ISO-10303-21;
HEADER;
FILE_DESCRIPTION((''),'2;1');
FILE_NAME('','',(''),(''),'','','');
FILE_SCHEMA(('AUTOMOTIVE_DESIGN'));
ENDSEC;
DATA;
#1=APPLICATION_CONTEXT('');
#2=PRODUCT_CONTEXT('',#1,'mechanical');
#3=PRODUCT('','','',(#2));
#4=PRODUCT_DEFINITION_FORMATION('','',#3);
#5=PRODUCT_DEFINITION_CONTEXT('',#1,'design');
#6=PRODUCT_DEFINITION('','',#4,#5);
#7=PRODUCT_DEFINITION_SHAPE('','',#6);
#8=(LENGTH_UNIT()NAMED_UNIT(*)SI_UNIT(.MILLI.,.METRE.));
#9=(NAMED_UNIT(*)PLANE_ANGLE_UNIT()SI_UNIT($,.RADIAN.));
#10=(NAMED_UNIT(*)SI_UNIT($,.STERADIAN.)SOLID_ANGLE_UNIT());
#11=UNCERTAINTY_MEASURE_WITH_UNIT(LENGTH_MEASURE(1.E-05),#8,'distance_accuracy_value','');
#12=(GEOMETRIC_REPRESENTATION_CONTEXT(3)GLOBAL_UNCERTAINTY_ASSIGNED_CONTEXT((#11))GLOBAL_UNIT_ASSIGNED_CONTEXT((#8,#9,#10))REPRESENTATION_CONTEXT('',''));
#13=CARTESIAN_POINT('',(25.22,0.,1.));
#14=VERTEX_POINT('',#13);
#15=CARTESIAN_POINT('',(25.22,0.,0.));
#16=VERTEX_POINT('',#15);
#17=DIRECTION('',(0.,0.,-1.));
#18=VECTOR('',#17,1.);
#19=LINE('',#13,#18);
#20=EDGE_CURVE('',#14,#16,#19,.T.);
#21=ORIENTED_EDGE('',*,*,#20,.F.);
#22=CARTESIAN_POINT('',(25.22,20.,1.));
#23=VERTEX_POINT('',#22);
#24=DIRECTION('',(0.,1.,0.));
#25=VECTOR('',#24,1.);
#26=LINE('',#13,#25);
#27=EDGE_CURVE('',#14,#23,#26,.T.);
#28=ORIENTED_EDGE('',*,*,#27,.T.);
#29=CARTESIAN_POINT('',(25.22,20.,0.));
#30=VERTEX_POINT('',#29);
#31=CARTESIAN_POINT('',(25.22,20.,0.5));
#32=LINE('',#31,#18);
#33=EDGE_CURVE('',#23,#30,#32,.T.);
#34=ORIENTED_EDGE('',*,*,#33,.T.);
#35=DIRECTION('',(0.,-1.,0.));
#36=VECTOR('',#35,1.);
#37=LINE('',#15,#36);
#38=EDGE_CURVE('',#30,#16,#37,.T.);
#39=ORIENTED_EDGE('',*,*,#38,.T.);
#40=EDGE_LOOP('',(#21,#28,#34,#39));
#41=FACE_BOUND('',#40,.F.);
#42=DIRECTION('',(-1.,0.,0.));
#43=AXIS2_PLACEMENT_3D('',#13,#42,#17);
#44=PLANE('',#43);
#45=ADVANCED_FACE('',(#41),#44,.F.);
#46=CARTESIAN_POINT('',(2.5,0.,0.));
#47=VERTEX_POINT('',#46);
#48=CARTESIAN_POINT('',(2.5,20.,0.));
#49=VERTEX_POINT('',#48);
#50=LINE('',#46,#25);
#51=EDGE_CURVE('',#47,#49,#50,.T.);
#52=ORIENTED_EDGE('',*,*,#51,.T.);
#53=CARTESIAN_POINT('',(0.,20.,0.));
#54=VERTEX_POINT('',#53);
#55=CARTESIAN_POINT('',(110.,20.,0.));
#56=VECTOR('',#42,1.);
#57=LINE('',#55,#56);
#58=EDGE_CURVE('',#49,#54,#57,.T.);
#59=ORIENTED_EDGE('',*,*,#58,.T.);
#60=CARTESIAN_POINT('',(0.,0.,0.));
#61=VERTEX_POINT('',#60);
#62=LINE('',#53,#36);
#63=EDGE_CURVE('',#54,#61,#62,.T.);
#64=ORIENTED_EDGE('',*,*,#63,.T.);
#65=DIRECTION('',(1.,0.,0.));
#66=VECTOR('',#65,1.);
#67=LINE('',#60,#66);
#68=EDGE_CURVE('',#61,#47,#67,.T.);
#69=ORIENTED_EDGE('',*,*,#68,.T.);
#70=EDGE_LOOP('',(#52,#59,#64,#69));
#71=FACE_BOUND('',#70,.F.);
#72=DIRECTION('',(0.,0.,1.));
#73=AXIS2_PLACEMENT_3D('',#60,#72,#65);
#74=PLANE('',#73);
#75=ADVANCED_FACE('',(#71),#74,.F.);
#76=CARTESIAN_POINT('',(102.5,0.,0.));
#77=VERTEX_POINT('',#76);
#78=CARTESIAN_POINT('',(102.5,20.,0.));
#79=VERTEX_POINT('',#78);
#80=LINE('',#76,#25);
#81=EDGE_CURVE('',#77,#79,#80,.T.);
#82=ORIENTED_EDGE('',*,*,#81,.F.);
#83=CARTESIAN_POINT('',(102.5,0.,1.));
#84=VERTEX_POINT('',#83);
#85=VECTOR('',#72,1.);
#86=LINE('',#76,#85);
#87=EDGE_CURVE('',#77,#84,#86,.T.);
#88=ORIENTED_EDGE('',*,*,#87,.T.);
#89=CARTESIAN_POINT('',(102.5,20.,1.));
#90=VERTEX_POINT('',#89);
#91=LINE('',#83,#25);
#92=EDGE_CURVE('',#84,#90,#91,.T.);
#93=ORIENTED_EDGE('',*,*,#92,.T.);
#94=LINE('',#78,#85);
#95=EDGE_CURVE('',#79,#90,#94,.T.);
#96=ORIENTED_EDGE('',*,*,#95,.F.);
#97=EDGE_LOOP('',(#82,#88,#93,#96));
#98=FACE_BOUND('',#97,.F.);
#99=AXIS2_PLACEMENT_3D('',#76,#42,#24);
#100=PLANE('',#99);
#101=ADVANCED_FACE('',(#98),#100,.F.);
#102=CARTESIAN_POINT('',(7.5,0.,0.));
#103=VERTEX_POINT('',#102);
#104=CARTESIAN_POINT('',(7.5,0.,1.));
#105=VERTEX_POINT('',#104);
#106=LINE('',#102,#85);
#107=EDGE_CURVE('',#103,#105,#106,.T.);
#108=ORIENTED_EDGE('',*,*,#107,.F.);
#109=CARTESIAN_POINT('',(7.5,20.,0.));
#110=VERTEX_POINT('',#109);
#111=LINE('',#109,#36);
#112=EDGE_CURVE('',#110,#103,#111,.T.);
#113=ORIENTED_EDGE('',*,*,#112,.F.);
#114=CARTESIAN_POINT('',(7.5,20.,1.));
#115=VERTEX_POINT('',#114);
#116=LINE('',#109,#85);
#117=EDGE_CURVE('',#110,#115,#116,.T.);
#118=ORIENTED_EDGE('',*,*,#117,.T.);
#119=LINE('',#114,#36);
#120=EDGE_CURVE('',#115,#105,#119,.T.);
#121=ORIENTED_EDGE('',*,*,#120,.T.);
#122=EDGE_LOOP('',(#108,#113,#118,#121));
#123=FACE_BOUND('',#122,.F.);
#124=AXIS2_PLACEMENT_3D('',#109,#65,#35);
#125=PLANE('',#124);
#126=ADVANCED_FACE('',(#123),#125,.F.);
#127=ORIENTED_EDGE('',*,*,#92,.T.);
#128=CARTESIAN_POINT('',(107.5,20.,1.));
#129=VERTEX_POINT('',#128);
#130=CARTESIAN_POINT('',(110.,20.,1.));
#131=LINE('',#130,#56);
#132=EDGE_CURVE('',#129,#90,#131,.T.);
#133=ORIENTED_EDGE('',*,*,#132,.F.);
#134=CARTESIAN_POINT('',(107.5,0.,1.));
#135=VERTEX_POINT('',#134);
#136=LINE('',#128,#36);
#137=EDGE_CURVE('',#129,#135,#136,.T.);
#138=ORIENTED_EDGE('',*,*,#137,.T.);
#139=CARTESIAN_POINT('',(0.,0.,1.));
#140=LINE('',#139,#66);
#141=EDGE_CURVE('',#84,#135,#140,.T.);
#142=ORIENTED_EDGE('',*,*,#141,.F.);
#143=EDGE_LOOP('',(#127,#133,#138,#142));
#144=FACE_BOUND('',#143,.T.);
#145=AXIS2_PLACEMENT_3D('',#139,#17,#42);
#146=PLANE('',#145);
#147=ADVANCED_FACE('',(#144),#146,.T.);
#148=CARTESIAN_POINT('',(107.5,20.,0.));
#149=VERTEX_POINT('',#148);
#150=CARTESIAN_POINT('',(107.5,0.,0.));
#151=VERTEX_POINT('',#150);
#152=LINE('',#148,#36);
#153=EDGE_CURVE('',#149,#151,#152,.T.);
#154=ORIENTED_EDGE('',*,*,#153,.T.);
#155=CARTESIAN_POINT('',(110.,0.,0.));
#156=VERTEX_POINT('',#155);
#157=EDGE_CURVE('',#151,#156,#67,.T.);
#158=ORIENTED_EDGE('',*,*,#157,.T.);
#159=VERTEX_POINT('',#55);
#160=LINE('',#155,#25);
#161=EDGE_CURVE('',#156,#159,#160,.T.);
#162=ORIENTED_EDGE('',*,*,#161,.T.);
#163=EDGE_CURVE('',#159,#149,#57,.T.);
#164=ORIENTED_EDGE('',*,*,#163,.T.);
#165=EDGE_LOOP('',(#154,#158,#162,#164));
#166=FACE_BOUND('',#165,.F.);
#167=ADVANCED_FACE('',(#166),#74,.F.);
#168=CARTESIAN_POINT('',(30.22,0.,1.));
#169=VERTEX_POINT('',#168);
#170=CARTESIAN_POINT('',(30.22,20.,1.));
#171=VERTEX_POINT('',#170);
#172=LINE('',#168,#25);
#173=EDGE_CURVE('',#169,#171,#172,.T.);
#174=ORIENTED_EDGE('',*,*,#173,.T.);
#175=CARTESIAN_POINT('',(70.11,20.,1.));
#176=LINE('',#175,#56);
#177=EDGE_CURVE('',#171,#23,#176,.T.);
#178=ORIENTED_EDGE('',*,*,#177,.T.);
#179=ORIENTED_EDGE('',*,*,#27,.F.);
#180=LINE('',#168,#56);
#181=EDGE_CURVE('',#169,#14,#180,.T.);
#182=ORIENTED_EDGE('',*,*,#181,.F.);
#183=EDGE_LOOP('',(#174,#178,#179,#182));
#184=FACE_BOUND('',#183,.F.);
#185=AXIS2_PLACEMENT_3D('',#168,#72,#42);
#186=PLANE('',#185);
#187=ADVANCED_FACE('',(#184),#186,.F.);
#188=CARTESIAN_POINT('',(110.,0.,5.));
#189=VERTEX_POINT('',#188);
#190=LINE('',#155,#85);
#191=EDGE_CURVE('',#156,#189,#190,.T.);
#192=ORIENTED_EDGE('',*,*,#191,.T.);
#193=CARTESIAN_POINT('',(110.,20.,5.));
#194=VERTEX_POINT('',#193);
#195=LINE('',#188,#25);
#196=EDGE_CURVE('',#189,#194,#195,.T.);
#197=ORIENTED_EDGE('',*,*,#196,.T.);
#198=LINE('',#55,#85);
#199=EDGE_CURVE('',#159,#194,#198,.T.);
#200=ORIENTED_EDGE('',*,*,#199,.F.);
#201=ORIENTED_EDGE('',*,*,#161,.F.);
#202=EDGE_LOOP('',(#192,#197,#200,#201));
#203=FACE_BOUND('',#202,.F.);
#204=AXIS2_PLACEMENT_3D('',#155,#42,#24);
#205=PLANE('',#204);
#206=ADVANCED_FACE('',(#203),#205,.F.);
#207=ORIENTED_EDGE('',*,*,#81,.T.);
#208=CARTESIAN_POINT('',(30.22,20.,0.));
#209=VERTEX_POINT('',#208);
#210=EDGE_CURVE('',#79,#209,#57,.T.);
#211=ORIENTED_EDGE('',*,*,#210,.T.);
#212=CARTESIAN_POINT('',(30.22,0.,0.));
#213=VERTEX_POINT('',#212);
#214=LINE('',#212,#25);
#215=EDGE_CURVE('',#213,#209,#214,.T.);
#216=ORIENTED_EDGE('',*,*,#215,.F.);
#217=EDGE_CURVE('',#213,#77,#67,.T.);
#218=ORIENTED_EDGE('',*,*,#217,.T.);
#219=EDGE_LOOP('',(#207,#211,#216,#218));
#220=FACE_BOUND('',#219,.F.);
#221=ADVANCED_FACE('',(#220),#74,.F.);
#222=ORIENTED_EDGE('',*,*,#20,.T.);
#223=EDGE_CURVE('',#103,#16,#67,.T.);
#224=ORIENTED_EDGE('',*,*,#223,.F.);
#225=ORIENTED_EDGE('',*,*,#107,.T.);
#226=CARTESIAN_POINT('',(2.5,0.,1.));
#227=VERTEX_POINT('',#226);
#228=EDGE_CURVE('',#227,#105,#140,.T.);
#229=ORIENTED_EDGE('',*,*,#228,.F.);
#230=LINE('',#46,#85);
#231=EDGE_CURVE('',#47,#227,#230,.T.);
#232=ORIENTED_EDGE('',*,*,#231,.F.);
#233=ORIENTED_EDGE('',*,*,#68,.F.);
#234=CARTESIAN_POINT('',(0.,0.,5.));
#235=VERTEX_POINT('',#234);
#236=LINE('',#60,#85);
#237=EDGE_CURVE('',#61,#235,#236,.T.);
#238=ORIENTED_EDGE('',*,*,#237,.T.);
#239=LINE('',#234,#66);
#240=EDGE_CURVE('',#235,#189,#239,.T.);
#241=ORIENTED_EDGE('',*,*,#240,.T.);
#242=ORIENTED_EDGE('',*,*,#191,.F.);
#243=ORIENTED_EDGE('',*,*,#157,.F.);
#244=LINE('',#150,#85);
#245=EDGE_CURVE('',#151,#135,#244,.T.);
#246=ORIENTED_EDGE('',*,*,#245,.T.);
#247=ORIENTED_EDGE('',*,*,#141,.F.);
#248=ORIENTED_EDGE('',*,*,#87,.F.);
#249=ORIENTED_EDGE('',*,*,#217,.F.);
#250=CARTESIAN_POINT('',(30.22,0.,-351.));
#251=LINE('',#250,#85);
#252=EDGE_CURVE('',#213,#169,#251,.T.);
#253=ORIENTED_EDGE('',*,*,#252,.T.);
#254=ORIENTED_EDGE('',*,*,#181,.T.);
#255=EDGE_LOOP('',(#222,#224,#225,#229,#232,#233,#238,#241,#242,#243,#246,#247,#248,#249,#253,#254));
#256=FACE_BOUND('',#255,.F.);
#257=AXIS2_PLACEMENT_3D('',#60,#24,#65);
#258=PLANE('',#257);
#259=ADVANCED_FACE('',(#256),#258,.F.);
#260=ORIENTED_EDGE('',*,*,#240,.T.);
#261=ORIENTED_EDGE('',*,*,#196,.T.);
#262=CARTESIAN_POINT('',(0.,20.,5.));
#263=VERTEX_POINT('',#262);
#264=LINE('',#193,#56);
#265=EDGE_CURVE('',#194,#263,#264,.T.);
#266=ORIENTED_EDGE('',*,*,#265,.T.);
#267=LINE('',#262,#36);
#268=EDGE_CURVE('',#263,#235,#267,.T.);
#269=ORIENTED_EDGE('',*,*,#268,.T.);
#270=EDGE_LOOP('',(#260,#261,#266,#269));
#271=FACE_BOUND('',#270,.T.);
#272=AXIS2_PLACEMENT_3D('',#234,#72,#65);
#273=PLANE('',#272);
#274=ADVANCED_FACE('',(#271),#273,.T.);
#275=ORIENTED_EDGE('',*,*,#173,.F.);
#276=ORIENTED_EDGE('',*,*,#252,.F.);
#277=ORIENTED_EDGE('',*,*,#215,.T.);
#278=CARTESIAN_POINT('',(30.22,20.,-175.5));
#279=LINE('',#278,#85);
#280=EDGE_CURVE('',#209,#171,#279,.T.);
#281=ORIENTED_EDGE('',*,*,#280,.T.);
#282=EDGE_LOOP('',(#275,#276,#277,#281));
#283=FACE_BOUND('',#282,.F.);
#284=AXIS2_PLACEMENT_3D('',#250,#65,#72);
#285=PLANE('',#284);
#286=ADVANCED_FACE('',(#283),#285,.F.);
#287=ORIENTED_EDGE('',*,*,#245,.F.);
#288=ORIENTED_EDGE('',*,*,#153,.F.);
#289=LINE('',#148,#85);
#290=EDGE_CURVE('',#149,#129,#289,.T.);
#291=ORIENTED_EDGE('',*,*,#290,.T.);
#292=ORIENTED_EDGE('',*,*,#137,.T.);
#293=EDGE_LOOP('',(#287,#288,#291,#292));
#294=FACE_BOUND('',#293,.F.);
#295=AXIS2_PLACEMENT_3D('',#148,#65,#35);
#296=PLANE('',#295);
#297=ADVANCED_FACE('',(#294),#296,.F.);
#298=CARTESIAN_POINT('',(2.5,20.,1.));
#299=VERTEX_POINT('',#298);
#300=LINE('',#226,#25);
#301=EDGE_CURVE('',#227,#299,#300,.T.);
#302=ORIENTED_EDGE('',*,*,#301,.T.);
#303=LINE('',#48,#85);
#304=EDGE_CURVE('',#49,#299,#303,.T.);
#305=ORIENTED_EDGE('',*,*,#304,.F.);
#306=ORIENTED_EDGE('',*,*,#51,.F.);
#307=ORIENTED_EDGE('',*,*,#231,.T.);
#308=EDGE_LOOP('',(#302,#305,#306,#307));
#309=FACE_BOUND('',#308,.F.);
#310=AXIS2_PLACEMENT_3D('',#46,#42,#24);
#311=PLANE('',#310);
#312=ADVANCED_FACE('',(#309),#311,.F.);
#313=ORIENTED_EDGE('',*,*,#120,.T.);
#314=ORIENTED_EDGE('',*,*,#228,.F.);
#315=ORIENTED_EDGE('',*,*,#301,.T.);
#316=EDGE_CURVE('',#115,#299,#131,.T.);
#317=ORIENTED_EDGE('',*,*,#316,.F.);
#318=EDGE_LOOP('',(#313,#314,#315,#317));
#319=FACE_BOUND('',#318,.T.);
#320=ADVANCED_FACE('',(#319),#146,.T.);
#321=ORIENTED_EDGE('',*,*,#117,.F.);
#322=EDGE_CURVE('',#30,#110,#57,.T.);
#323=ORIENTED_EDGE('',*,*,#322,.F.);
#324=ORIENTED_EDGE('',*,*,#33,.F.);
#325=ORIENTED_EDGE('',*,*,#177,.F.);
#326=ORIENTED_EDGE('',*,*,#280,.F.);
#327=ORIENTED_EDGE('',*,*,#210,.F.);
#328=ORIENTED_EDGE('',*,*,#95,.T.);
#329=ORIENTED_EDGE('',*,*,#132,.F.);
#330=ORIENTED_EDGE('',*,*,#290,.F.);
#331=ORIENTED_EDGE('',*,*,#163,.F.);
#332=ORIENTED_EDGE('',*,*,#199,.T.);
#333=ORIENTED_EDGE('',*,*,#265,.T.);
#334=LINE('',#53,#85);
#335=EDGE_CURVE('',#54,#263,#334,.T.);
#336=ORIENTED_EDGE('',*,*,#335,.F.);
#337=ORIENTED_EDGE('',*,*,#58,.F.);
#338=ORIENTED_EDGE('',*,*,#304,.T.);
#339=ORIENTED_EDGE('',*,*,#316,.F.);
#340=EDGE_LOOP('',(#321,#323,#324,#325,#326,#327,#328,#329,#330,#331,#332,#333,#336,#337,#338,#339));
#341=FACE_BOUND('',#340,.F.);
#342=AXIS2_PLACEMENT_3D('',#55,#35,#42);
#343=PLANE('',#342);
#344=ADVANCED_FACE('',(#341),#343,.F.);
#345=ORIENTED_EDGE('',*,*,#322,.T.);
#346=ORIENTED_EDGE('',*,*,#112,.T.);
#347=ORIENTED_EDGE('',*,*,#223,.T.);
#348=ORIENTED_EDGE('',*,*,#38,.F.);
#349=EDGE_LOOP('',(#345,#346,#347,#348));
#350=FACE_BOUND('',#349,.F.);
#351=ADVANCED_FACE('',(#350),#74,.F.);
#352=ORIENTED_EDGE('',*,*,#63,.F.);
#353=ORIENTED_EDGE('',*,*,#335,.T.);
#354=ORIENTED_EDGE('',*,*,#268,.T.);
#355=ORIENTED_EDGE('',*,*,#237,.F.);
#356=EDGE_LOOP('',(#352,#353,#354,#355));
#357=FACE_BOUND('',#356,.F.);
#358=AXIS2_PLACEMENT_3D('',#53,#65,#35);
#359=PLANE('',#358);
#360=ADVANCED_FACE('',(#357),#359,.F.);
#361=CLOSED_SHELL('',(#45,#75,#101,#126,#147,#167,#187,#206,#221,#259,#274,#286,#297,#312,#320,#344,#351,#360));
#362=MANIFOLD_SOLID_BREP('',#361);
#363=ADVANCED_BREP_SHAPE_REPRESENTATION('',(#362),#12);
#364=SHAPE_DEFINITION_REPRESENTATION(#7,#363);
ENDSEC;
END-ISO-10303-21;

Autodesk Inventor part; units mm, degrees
ref_plane "YZ Plane" through (0, 0, 0) normal (1, 0, 0) x (0, 1, 0)
ref_plane "XZ Plane" through (0, 0, 0) normal (0, 1, 0) x (-1, 0, 0)
ref_plane "XY Plane" through (0, 0, 0) normal (0, 0, 1) x (1, 0, 0)
sketch "スケッチ1" plane through (0, 0, 0) normal (0, 0, 1) x (1, 0, 0)
  line L0 (0, 0) -> (110, 0)
  line L1 (110, 0) -> (110, 20)
  line L2 (110, 20) -> (0, 20)
  line L3 (0, 20) -> (0, 0)
  dimension "d0" = 110
  dimension "d1" = 20
extrude "押し出し1" add sketch "スケッチ1" along normal blind 5
sketch "スケッチ2" plane through (0, 0, 0) normal (0, 0, -1) x (-1, 0, 0)
  line L0 (-110, 0) -> (-110, 20) projected
  line L1 (0, 0) -> (-110, 0) projected
  line L2 (0, 20) -> (0, 0) projected
  line L3 (-110, 20) -> (0, 20) projected
  line L4 (-2.5, 20) -> (-7.5, 20)
  line L5 (-7.5, 20) -> (-7.5, 0)
  line L6 (-7.5, 0) -> (-2.5, 0)
  line L7 (-2.5, 0) -> (-2.5, 20)
  line L8 (-107.5, 0) -> (-102.5, 0)
  line L9 (-102.5, 0) -> (-102.5, 20)
  line L10 (-102.5, 20) -> (-107.5, 20)
  line L11 (-107.5, 20) -> (-107.5, 0)
  point P0 (-107.5, 20)
  point P1 (-102.5, 0)
  dimension "d4" = 5
  dimension "d5" = 2.5
  dimension "d6" = 5
  dimension "d7" = 2.5
extrude "押し出し2" cut sketch "スケッチ2" against normal blind 1 contours L11 L3 L9 L1 | L5 L3 L7 L1
sketch "スケッチ3" plane through (0, 0, 5) normal (0, -1, 0) x (1, 0, 0)
  line L0 (30.22, -4) -> (25.22, -4) projected
  line L1 (25.22, -4) -> (25.22, -356) projected
  line L2 (25.22, -356) -> (30.22, -356) projected
  line L3 (30.22, -356) -> (30.22, -4) projected
extrude "押し出し3" cut sketch "スケッチ3" against normal through all
properties part number "arm1_S"
